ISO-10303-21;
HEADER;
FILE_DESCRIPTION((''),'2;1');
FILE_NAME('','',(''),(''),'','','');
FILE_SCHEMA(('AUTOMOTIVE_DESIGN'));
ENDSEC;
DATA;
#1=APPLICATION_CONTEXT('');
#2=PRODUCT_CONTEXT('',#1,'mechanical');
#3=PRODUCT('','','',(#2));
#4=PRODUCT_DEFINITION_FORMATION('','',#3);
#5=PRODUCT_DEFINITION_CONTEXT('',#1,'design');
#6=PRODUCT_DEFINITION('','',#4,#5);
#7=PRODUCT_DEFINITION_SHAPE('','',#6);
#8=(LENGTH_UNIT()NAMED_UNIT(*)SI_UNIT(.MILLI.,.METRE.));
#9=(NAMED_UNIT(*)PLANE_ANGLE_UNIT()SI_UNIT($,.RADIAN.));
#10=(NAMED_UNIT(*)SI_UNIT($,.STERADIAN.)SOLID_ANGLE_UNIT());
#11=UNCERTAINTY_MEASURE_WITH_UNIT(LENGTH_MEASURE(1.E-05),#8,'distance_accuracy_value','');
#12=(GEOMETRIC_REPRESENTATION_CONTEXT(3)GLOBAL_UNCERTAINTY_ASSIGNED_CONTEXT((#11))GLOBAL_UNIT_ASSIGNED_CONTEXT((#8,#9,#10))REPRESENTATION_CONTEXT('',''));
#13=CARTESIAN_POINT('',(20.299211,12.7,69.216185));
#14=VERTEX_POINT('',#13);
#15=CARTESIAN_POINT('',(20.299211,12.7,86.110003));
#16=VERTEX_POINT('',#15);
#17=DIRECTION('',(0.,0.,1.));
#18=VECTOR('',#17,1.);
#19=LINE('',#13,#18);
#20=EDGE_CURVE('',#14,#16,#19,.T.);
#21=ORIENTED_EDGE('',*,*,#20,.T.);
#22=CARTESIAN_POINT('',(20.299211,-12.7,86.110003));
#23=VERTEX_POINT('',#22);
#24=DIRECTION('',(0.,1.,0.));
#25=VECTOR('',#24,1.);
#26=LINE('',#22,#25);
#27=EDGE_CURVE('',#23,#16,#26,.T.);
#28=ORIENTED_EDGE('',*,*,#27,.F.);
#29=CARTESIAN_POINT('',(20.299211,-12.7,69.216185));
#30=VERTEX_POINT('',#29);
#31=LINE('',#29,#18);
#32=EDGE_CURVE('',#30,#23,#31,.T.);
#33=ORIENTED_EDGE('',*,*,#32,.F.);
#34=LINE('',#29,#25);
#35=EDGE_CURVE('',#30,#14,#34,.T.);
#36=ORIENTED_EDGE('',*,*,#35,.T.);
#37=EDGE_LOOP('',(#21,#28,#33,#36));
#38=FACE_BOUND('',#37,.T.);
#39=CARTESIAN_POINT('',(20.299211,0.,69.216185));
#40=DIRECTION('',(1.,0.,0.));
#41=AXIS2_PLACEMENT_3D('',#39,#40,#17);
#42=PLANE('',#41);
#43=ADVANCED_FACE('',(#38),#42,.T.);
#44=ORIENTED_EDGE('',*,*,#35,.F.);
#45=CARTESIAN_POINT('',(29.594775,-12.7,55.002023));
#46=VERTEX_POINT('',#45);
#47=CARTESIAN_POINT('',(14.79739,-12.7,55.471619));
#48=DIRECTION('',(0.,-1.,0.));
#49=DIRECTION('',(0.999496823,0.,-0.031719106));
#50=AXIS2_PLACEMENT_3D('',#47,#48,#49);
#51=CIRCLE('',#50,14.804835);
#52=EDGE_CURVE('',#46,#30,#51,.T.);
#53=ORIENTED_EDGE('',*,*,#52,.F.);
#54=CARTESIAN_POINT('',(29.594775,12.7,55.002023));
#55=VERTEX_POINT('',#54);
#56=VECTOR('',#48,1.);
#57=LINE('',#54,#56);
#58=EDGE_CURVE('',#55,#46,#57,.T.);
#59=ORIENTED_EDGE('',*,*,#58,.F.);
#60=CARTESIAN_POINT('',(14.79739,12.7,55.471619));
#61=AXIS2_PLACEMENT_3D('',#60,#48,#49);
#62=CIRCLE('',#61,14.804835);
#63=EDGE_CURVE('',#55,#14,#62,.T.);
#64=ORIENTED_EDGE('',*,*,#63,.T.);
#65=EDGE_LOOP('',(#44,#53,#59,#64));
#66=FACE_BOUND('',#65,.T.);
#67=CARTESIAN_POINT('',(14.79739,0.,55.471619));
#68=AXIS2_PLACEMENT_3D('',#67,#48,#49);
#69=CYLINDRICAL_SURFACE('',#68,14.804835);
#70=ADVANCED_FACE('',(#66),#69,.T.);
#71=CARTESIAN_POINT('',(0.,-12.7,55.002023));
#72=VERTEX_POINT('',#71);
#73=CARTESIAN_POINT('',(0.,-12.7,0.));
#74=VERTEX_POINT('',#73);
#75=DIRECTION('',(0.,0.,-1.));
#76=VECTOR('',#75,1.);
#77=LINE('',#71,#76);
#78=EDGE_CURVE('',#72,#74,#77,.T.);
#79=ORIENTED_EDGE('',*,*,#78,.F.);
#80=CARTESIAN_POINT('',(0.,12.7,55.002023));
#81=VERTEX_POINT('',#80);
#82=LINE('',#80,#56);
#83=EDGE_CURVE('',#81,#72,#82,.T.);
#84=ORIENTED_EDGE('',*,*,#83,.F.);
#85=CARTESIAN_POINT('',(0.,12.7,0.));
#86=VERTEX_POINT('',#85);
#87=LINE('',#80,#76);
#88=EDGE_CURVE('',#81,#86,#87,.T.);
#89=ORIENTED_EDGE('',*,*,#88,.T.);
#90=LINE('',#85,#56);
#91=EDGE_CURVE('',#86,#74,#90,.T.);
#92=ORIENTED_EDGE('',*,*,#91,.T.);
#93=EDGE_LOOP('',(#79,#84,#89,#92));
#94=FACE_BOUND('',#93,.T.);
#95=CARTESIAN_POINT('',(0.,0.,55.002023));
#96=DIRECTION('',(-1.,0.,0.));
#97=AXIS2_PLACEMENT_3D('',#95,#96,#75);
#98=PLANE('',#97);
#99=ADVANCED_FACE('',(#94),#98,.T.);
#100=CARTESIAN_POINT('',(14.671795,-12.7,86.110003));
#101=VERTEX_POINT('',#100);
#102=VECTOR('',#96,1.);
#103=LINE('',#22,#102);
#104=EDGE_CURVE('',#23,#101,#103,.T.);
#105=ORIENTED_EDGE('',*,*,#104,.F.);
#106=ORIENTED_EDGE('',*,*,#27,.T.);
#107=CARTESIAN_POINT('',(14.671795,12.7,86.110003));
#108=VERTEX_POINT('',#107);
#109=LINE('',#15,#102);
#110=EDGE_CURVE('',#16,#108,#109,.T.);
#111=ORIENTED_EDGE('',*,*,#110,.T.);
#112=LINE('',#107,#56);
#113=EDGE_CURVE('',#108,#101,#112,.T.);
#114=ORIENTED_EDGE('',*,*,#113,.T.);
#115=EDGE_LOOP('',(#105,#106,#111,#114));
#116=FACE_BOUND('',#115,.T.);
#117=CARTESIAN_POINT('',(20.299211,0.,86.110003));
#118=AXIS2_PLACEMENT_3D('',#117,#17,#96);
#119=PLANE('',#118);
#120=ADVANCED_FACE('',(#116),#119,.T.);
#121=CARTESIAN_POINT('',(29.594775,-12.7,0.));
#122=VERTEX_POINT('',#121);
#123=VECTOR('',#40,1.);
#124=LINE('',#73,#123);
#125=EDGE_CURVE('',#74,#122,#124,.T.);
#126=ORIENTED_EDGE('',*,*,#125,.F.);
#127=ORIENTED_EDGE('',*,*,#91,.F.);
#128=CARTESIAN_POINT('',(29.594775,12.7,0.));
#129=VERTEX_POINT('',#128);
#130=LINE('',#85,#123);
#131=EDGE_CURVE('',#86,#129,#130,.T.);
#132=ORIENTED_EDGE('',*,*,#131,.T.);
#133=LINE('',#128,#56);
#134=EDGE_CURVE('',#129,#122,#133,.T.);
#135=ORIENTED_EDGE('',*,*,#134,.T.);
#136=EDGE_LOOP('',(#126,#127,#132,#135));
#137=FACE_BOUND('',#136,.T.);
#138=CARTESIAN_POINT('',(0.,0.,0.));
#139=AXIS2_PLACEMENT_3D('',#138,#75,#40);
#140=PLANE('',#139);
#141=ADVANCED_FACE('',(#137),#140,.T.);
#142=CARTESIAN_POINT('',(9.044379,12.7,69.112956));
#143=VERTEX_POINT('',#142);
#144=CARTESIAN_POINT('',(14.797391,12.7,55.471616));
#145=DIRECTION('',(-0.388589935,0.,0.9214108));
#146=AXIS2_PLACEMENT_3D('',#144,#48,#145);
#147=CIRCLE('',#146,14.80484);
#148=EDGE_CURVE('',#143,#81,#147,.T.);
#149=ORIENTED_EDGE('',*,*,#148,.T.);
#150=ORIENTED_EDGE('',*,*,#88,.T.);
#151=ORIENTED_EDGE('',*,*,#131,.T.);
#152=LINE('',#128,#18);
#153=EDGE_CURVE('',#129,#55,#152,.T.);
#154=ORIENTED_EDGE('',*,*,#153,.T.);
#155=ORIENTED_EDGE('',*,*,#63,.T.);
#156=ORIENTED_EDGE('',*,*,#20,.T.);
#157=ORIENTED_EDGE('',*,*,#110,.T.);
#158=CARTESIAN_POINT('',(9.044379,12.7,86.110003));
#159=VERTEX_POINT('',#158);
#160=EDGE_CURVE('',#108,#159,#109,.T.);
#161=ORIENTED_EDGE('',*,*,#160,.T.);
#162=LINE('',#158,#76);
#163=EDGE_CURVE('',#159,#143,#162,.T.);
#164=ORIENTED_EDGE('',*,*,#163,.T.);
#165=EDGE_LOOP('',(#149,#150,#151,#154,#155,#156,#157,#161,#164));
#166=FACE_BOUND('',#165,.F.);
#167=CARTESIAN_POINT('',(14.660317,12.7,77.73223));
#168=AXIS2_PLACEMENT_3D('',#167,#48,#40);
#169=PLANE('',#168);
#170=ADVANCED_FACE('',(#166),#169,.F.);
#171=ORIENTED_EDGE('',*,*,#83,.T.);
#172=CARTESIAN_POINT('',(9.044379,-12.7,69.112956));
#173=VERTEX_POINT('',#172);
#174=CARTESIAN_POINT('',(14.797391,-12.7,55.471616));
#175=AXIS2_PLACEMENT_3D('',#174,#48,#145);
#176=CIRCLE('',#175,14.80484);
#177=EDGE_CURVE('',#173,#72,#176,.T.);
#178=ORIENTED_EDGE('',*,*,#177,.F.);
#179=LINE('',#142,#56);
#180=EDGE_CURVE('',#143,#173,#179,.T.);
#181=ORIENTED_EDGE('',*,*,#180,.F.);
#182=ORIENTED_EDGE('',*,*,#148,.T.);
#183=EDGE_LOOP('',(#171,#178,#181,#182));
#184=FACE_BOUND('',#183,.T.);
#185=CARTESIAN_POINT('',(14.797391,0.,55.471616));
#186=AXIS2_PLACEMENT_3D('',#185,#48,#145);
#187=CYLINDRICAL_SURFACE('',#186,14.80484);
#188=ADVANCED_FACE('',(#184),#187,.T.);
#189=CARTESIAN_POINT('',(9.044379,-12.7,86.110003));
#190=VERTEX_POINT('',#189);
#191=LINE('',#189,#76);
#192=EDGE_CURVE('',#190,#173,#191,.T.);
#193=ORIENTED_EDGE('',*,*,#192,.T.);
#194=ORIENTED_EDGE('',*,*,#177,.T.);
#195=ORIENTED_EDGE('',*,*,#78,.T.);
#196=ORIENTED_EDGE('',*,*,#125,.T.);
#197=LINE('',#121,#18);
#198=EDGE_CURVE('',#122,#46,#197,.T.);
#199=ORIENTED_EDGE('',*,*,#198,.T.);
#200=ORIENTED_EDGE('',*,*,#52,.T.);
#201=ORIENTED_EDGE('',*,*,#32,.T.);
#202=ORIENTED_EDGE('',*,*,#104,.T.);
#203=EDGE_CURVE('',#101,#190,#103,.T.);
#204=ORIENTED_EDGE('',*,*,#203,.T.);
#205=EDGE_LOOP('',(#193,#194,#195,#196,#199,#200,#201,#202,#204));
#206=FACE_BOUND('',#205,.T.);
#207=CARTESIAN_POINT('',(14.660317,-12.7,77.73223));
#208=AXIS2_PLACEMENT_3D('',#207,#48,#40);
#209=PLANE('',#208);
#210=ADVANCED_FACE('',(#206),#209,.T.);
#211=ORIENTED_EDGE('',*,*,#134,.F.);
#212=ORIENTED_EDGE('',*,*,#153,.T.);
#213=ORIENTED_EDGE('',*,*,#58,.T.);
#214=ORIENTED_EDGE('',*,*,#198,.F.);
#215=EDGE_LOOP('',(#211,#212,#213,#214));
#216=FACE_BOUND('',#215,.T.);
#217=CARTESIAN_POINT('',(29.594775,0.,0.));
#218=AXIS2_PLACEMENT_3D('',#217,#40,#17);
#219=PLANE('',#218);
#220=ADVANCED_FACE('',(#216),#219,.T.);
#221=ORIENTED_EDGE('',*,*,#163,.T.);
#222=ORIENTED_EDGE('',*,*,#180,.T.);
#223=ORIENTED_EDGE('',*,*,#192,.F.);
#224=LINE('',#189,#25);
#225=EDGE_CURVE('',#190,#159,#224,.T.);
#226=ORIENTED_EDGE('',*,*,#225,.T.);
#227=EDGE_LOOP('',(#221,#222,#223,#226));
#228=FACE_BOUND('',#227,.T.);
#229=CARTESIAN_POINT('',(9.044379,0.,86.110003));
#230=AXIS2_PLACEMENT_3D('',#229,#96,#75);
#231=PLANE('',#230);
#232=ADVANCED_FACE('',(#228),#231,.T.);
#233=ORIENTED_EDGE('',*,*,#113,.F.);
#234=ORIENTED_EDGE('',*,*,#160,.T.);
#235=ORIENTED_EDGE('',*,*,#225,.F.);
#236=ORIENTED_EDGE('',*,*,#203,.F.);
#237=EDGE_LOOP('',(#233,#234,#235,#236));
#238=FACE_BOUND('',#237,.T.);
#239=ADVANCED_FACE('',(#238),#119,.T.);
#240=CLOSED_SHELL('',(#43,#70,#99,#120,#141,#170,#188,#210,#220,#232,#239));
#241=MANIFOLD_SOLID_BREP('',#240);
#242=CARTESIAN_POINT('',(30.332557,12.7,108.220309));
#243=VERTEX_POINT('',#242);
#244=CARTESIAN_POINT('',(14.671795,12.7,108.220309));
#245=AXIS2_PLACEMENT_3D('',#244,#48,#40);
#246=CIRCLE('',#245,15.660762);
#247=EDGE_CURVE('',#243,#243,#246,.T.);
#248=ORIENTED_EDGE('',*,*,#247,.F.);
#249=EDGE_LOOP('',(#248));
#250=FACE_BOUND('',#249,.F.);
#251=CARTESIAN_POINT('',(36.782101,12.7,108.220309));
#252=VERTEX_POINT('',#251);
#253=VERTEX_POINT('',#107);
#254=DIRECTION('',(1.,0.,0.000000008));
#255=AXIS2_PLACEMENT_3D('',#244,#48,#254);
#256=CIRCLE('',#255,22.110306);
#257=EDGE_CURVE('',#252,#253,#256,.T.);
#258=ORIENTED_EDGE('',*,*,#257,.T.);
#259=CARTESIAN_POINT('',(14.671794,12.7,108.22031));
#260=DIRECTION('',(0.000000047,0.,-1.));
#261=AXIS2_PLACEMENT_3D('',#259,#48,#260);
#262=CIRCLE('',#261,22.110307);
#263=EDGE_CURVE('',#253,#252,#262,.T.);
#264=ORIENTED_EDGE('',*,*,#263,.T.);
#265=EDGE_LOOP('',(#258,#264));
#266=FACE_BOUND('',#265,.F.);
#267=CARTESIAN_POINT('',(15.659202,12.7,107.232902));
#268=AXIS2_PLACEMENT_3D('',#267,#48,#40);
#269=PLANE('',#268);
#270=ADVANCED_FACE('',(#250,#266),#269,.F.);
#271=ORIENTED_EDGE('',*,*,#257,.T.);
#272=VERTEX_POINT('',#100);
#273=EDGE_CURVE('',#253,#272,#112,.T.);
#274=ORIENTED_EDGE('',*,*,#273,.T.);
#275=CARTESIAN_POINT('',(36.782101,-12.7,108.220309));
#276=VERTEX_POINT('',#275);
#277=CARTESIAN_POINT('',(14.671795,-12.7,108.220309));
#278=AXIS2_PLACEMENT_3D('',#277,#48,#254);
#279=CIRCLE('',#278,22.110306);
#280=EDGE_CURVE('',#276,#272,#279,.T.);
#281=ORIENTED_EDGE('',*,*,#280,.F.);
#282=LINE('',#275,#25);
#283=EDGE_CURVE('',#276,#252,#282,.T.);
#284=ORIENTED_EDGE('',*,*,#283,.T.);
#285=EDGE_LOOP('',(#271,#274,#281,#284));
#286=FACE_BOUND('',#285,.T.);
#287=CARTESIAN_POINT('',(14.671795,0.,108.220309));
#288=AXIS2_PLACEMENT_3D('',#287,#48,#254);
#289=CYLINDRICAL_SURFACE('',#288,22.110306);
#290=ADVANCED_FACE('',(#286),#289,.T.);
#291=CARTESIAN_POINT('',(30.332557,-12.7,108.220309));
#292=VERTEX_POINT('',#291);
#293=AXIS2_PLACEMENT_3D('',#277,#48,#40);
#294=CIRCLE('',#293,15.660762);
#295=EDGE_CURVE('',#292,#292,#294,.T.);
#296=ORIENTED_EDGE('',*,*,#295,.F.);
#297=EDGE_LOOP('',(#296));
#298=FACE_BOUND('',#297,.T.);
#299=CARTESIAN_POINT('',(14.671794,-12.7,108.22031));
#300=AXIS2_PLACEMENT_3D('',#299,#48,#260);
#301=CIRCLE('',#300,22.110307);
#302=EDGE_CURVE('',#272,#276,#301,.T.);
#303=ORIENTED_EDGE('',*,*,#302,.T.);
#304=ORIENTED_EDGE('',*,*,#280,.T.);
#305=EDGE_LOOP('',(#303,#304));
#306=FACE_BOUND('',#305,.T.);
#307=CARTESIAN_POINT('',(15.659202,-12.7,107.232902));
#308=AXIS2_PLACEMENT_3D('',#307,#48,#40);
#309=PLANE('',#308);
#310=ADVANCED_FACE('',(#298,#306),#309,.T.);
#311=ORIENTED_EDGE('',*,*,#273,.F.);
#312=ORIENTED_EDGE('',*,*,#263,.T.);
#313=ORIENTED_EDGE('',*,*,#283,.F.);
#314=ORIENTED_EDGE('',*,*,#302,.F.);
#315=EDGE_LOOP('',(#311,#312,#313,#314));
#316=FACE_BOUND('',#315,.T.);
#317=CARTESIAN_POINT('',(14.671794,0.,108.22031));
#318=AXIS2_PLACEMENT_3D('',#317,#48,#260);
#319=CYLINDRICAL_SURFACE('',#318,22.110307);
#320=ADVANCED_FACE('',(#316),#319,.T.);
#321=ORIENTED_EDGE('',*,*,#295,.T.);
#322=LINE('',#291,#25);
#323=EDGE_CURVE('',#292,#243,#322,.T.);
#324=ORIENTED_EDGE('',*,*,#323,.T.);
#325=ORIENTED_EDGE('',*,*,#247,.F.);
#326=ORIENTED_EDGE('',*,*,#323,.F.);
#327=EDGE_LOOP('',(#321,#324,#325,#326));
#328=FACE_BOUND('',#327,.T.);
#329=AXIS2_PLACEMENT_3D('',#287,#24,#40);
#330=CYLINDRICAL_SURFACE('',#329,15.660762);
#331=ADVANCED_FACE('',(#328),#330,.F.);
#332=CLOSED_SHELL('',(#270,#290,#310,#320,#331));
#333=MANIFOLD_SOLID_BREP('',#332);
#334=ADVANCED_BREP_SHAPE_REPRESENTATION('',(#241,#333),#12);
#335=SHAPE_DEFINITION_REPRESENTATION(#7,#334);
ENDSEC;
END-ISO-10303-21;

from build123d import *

# Parameters (mm, degrees)
F1_DEPTH = 12.7
F0_R     = 15.660762
F2_DEPTH = 12.7


with BuildPart() as f1:
    # F0 (on Front) → F1 (new body, symmetric)
    with BuildSketch(Plane.XZ):
        with BuildLine():
            Line((9.044379, 86.110003), (9.044379, 69.112956))
            ThreePointArc((9.044379, 69.112956), (14.661603, 70.275832), (20.299211, 69.216185))
            Line((20.299211, 69.216185), (20.299211, 86.110003))
            Line((20.299211, 86.110003), (14.671795, 86.110003))
            Line((14.671795, 86.110003), (9.044379, 86.110003))
        make_face()
        with BuildLine():
            Line((0, 55.002023), (0, 0))
            Line((0, 0), (29.594775, 0))
            Line((29.594775, 0), (29.594775, 55.002023))
            ThreePointArc((29.594775, 55.002023), (27.187912, 63.574587), (20.299211, 69.216185))
            ThreePointArc((20.299211, 69.216185), (14.661603, 70.275832), (9.044379, 69.112956))
            ThreePointArc((9.044379, 69.112956), (2.333067, 63.460604), (0, 55.002023))
        make_face()
    extrude(amount=F1_DEPTH, both=True)

    # F0 (on Front) → F2 (join, symmetric)
    with BuildSketch(Plane.XZ):
        with BuildLine():
            Line((0, 55.002023), (0, 0))
            Line((0, 0), (29.594775, 0))
            Line((29.594775, 0), (29.594775, 55.002023))
            ThreePointArc((29.594775, 55.002023), (27.187912, 63.574587), (20.299211, 69.216185))
            ThreePointArc((20.299211, 69.216185), (14.661603, 70.275832), (9.044379, 69.112956))
            ThreePointArc((9.044379, 69.112956), (2.333067, 63.460604), (0, 55.002023))
        make_face()
        with BuildLine():
            ThreePointArc((36.782101, 108.220309), (-0.962552, 123.854656), (14.671795, 86.110003))
            ThreePointArc((14.671795, 86.110003), (30.306142, 92.585962), (36.782101, 108.220309))
        make_face()
        with Locations((14.671795, 108.220309)):
            Circle(F0_R, mode=Mode.SUBTRACT)
        with BuildLine():
            Line((9.044379, 86.110003), (9.044379, 69.112956))
            ThreePointArc((9.044379, 69.112956), (14.661603, 70.275832), (20.299211, 69.216185))
            Line((20.299211, 69.216185), (20.299211, 86.110003))
            Line((20.299211, 86.110003), (14.671795, 86.110003))
            Line((14.671795, 86.110003), (9.044379, 86.110003))
        make_face()
    extrude(amount=F2_DEPTH, both=True)


solid = f1.part
